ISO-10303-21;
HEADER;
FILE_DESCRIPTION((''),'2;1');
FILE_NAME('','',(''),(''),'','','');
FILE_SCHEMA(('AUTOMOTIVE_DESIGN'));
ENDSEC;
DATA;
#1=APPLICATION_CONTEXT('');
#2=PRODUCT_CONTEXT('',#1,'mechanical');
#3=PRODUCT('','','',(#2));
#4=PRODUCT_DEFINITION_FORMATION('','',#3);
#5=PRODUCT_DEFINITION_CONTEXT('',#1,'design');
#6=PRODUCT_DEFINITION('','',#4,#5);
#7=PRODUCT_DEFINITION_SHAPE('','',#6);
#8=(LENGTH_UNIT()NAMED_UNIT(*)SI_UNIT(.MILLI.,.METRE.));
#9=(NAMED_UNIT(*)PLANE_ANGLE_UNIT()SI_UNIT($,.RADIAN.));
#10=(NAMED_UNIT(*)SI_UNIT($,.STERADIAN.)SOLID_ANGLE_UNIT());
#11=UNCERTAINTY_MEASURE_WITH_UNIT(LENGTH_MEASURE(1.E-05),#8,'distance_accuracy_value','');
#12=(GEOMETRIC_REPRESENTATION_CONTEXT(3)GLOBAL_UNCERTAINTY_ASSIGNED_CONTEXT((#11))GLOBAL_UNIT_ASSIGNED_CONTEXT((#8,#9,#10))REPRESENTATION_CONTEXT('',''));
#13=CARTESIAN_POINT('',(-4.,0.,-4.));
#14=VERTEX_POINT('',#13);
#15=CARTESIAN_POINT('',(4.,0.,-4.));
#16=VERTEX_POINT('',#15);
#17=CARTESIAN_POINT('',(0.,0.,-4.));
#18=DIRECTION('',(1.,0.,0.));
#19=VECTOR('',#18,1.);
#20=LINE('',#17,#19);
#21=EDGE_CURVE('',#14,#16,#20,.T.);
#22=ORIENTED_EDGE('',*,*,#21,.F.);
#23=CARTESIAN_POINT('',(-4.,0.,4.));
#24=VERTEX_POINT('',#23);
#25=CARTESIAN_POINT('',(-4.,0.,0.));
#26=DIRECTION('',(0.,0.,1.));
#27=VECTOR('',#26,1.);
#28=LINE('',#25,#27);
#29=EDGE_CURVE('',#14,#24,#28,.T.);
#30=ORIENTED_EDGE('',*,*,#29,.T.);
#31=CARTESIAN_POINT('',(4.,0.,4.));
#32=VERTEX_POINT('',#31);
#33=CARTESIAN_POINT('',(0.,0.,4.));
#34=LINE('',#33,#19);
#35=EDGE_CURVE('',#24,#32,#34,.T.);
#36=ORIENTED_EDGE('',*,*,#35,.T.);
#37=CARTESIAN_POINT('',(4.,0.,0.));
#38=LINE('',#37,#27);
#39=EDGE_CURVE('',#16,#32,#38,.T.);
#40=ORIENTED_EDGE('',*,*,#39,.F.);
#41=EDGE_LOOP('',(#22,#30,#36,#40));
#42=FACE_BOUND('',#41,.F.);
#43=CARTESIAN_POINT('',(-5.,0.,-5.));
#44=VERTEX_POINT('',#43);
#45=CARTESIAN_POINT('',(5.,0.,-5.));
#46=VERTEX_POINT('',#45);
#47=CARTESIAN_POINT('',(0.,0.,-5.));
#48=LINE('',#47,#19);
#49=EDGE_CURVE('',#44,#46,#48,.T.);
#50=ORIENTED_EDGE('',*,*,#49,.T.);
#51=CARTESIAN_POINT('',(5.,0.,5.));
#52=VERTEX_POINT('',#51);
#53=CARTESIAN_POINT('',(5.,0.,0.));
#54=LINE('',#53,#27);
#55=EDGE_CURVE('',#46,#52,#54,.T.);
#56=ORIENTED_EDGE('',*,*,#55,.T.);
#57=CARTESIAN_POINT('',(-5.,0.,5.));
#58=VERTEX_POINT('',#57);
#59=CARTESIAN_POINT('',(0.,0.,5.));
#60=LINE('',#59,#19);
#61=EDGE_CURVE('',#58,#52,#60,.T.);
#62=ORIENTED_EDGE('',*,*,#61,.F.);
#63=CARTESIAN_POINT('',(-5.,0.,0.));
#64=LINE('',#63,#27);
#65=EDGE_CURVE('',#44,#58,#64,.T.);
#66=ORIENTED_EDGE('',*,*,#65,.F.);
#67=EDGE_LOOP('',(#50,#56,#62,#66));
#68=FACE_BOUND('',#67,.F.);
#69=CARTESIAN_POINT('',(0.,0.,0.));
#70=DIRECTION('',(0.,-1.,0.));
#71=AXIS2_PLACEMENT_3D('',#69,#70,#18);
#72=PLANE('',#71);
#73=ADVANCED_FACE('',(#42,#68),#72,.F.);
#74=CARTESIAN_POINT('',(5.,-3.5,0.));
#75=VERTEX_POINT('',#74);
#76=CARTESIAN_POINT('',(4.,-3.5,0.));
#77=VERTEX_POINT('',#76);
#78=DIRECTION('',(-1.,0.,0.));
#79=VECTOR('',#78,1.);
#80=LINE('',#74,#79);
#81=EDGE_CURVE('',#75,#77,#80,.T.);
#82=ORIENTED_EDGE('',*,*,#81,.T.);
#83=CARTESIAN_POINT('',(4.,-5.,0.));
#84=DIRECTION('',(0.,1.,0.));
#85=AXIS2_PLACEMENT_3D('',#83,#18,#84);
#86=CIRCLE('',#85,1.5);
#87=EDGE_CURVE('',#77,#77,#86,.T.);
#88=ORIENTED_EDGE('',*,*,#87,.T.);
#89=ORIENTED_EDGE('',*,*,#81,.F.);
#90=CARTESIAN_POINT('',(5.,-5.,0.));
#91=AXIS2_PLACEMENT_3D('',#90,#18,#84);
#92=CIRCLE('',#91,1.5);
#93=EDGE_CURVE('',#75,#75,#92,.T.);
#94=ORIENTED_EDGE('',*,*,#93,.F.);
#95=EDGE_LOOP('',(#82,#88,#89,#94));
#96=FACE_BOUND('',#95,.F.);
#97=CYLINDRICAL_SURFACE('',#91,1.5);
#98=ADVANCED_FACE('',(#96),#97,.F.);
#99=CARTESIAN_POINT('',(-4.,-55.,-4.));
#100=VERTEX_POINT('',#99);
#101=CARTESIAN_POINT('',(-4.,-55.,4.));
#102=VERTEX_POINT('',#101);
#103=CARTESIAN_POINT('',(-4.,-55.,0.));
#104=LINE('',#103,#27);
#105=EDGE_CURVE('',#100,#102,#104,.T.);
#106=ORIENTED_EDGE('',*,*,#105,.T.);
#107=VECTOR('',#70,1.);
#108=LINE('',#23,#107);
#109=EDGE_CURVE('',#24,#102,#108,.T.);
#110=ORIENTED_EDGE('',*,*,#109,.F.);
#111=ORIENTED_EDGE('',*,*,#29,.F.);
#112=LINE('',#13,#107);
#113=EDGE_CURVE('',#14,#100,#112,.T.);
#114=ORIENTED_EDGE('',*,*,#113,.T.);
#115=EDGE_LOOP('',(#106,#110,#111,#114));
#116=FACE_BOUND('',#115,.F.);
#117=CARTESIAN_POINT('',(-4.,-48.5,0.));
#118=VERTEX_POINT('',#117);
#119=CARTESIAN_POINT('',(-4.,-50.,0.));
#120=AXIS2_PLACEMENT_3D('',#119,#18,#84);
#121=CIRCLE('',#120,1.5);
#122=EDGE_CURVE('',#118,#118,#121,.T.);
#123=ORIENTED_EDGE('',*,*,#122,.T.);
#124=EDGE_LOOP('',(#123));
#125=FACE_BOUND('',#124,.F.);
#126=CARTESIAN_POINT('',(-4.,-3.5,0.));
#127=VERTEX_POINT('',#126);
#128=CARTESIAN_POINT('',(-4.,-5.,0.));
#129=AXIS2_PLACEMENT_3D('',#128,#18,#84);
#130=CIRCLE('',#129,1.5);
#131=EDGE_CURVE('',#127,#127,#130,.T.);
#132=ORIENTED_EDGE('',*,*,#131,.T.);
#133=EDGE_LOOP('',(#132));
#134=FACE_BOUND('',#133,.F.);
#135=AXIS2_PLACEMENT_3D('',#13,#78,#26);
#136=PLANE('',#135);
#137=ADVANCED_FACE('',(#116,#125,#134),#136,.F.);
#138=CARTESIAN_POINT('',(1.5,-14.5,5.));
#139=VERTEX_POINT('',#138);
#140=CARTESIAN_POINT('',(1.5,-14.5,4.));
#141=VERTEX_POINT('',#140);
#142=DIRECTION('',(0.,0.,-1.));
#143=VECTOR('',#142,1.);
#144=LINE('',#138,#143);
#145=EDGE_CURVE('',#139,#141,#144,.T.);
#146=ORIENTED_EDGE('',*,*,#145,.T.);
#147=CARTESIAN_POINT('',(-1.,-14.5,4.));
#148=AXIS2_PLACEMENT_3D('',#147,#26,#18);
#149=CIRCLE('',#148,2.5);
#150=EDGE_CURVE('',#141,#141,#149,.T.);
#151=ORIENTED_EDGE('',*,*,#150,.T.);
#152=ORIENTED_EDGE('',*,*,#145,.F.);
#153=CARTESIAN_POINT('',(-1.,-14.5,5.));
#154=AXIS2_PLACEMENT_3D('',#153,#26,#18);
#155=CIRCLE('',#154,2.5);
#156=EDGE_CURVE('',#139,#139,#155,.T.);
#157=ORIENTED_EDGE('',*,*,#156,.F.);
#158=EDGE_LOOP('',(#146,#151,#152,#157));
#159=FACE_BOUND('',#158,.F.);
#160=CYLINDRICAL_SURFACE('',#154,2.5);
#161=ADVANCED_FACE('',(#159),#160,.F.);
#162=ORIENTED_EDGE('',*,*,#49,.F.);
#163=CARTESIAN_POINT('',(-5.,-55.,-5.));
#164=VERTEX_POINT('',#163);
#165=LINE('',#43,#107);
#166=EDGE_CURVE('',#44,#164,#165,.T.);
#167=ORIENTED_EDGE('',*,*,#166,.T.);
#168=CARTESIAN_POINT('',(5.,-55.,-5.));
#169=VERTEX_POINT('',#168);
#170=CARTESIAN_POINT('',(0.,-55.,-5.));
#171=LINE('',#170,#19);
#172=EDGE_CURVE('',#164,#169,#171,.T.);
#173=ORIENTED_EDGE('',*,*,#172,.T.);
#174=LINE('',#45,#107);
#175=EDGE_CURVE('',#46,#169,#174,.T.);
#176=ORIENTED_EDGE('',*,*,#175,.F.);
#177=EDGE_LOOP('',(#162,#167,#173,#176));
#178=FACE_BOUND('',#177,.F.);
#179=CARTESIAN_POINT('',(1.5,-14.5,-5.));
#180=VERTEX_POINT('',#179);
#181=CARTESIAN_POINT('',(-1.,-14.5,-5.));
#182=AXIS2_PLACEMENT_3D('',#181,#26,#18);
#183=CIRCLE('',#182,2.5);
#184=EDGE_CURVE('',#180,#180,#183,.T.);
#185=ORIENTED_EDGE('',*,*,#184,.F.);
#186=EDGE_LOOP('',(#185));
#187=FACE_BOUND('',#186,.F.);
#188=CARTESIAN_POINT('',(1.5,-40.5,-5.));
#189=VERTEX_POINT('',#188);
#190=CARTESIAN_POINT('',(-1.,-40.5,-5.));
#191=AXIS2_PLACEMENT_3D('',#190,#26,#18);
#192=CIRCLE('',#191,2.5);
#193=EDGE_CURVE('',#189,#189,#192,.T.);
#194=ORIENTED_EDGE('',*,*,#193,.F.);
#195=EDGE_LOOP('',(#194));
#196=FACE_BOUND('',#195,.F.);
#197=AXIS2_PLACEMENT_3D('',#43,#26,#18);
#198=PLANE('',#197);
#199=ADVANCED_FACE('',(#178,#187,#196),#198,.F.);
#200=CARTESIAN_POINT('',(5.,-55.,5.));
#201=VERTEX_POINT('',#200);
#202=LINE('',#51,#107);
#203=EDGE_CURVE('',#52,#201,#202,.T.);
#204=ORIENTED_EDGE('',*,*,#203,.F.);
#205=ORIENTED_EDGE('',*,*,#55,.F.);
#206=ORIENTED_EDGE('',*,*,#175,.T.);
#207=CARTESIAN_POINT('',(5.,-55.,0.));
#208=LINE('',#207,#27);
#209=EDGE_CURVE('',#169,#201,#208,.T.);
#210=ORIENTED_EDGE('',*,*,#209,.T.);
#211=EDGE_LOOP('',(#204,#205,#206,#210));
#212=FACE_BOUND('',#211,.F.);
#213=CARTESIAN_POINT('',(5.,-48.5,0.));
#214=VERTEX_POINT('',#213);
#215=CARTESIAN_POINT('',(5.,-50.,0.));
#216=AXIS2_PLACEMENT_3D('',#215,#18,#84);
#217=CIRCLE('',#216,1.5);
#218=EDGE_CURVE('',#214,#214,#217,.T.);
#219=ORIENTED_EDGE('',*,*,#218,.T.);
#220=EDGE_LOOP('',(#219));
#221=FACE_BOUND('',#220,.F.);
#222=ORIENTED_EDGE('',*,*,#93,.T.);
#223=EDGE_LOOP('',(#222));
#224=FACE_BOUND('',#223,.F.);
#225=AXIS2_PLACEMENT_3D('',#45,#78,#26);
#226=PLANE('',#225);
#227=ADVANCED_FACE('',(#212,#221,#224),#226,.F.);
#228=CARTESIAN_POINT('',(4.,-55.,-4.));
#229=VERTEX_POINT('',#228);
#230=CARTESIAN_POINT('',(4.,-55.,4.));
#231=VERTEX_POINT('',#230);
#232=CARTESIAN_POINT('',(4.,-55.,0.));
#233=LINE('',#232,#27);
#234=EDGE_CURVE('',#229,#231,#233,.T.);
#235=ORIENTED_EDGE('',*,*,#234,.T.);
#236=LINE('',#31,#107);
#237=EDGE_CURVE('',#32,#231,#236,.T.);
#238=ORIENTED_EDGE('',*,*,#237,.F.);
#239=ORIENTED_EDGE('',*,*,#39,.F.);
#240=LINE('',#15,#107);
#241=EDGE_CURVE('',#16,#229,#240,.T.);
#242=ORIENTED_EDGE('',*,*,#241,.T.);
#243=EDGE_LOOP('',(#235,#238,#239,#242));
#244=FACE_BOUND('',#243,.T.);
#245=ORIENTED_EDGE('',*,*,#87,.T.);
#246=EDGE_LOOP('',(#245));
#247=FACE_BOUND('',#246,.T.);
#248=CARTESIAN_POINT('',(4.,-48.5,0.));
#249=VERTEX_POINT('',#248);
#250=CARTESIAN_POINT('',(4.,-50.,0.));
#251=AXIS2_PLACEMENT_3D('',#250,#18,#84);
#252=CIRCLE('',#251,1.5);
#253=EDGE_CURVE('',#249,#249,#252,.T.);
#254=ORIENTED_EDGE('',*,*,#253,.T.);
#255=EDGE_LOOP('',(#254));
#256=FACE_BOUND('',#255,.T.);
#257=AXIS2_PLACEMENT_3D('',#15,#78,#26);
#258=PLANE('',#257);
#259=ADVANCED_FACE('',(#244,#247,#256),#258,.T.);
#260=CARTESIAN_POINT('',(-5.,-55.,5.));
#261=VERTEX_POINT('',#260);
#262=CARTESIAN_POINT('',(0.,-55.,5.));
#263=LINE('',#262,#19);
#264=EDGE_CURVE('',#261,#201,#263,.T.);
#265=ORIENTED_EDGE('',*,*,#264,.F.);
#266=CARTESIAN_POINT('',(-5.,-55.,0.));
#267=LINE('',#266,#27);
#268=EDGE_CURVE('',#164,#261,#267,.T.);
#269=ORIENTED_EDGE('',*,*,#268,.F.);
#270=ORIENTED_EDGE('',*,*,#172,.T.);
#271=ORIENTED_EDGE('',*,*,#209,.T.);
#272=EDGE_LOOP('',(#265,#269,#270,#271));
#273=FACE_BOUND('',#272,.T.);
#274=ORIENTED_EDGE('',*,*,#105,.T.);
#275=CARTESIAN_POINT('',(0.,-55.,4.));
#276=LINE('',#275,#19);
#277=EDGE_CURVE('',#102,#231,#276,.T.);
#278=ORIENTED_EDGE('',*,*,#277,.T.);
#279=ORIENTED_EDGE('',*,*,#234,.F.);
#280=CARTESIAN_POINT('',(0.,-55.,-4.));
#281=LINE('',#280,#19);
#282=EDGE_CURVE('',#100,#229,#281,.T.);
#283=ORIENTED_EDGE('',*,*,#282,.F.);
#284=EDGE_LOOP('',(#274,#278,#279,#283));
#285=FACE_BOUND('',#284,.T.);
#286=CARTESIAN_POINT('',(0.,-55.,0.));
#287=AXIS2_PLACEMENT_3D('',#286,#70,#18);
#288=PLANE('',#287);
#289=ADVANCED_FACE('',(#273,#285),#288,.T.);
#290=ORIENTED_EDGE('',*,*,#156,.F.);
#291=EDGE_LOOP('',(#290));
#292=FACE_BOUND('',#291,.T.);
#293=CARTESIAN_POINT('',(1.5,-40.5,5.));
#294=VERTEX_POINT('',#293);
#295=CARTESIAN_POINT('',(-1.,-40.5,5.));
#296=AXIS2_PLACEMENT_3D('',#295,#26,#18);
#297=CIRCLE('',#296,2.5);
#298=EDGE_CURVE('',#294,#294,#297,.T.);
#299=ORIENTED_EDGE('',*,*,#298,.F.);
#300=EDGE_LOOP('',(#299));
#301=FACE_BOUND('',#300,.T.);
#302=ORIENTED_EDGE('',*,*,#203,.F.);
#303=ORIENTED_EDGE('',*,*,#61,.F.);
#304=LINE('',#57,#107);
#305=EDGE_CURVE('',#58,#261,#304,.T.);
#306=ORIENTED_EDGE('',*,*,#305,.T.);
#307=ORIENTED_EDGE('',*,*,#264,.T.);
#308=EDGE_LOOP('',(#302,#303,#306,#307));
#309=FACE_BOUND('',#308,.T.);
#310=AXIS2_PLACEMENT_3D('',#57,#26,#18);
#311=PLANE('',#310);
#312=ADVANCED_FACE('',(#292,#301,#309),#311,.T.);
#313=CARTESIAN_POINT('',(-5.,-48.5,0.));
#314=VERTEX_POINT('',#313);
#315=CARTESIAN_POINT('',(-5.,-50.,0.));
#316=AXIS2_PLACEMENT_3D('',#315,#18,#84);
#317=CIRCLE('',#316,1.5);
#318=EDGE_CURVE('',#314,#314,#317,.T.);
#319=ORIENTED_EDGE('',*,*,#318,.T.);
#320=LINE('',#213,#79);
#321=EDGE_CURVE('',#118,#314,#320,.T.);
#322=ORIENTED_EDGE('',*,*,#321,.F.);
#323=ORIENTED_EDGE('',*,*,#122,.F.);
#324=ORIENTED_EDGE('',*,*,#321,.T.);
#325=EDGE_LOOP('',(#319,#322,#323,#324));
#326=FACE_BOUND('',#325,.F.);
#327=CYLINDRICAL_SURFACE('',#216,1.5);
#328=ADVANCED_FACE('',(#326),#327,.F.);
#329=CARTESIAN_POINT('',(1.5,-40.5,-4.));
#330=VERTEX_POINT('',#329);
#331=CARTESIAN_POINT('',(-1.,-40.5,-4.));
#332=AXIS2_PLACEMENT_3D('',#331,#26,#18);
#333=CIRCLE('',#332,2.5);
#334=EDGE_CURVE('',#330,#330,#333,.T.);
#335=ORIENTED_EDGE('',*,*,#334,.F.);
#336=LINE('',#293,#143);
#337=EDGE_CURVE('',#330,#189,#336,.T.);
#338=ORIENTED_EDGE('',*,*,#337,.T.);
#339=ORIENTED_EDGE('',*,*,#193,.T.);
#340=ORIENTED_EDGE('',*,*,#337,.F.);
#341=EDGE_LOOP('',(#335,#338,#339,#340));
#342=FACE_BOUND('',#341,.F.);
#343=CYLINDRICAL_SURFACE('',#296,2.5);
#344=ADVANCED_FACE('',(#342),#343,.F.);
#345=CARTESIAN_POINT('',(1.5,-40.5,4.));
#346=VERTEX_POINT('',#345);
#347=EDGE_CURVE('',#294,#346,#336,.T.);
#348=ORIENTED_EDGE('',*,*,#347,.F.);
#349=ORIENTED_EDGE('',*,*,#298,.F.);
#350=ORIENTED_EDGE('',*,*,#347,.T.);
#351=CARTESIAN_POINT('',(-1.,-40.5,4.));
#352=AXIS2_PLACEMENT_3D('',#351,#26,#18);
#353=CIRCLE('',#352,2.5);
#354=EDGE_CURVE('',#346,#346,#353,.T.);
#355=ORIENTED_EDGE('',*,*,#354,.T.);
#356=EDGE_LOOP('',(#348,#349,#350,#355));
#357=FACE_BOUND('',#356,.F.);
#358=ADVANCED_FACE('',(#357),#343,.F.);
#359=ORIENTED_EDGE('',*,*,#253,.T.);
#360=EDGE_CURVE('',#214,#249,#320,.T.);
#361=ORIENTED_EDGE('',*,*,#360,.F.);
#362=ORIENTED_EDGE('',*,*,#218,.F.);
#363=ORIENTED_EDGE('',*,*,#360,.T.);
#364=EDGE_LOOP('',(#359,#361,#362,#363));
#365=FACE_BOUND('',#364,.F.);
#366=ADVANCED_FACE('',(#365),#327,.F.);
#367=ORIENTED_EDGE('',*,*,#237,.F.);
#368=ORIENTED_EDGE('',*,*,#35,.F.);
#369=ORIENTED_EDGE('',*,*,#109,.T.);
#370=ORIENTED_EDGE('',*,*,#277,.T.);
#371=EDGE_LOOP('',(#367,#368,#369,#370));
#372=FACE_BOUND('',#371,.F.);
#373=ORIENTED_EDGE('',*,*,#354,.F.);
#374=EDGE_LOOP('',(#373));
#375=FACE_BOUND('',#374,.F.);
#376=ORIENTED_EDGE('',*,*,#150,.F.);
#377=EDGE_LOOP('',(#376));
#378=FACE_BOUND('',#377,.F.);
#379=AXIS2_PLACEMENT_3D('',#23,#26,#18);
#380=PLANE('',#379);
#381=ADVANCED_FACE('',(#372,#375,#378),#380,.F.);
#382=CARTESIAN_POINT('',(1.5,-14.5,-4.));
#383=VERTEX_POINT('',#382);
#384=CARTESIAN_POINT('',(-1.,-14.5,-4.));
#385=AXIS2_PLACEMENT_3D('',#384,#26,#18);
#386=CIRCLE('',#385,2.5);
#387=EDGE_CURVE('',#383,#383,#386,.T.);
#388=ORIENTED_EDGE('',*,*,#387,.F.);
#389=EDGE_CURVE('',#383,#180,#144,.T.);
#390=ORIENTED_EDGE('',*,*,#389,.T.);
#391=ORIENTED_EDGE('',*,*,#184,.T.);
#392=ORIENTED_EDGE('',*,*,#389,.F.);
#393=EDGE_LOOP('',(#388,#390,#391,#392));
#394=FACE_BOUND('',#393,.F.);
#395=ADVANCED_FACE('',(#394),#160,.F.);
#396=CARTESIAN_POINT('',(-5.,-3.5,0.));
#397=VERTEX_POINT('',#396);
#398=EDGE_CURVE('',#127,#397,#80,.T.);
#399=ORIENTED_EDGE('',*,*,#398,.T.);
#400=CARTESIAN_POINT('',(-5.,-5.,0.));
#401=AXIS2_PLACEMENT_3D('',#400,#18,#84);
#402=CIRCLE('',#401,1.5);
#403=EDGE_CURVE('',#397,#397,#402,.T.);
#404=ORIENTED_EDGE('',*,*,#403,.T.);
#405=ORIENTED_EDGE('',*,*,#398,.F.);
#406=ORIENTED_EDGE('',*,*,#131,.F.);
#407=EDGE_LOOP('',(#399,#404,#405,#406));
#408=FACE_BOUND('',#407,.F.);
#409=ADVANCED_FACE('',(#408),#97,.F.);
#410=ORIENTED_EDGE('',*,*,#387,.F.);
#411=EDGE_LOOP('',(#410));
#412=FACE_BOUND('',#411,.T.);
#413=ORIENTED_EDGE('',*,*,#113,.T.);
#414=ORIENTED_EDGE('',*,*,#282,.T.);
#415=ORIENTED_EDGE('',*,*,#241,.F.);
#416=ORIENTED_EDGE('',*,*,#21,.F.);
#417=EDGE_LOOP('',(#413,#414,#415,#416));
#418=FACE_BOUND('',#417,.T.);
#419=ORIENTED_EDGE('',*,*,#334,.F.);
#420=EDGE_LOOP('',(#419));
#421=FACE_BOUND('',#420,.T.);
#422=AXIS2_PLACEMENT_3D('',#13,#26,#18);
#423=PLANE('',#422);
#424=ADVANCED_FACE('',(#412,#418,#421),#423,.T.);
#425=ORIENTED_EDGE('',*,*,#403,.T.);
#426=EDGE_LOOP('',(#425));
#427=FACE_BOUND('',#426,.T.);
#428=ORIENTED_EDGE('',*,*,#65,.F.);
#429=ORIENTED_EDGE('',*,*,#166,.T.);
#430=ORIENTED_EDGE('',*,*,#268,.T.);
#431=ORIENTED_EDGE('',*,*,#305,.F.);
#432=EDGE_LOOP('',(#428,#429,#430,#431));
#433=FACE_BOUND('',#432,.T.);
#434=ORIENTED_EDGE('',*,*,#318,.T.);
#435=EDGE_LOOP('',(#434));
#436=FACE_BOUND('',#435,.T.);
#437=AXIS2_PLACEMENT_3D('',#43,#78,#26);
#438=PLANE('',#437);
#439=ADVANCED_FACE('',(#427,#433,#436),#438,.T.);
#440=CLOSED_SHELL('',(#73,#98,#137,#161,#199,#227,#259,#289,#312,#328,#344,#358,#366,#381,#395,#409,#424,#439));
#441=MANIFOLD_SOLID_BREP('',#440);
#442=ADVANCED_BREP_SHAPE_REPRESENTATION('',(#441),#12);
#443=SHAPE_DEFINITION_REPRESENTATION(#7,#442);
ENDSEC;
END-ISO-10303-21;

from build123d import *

# Parameters (mm, degrees)
F0_W     = 10
F0_H     = 10
F0_W_2   = 8
F0_H_2   = 8
F1_DEPTH = 55
F2_R     = 1.5
F3_DEPTH = 25
F4_R     = 2.5
F5_DEPTH = 25


with BuildPart() as f1:
    # F0 (on Front) → F1 (new body)
    with BuildSketch(Plane.XZ):
        Rectangle(F0_W, F0_H)
        Rectangle(F0_W_2, F0_H_2, mode=Mode.SUBTRACT)
    extrude(amount=F1_DEPTH)

    # F2 (on face) → F3 (cut)
    with BuildSketch(Plane.YZ.offset(5)):
        with Locations((-50, 0)):
            Circle(F2_R)
        with Locations((-5, 0)):
            Circle(F2_R)
    extrude(amount=-F3_DEPTH, mode=Mode.SUBTRACT)

    # F4 (on face) → F5 (cut)
    with BuildSketch(Plane.XY.offset(5)):
        with Locations((-1, -40.5)):
            Circle(F4_R)
        with Locations((-1, -14.5)):
            Circle(F4_R)
    extrude(amount=-F5_DEPTH, mode=Mode.SUBTRACT)


solid = f1.part
